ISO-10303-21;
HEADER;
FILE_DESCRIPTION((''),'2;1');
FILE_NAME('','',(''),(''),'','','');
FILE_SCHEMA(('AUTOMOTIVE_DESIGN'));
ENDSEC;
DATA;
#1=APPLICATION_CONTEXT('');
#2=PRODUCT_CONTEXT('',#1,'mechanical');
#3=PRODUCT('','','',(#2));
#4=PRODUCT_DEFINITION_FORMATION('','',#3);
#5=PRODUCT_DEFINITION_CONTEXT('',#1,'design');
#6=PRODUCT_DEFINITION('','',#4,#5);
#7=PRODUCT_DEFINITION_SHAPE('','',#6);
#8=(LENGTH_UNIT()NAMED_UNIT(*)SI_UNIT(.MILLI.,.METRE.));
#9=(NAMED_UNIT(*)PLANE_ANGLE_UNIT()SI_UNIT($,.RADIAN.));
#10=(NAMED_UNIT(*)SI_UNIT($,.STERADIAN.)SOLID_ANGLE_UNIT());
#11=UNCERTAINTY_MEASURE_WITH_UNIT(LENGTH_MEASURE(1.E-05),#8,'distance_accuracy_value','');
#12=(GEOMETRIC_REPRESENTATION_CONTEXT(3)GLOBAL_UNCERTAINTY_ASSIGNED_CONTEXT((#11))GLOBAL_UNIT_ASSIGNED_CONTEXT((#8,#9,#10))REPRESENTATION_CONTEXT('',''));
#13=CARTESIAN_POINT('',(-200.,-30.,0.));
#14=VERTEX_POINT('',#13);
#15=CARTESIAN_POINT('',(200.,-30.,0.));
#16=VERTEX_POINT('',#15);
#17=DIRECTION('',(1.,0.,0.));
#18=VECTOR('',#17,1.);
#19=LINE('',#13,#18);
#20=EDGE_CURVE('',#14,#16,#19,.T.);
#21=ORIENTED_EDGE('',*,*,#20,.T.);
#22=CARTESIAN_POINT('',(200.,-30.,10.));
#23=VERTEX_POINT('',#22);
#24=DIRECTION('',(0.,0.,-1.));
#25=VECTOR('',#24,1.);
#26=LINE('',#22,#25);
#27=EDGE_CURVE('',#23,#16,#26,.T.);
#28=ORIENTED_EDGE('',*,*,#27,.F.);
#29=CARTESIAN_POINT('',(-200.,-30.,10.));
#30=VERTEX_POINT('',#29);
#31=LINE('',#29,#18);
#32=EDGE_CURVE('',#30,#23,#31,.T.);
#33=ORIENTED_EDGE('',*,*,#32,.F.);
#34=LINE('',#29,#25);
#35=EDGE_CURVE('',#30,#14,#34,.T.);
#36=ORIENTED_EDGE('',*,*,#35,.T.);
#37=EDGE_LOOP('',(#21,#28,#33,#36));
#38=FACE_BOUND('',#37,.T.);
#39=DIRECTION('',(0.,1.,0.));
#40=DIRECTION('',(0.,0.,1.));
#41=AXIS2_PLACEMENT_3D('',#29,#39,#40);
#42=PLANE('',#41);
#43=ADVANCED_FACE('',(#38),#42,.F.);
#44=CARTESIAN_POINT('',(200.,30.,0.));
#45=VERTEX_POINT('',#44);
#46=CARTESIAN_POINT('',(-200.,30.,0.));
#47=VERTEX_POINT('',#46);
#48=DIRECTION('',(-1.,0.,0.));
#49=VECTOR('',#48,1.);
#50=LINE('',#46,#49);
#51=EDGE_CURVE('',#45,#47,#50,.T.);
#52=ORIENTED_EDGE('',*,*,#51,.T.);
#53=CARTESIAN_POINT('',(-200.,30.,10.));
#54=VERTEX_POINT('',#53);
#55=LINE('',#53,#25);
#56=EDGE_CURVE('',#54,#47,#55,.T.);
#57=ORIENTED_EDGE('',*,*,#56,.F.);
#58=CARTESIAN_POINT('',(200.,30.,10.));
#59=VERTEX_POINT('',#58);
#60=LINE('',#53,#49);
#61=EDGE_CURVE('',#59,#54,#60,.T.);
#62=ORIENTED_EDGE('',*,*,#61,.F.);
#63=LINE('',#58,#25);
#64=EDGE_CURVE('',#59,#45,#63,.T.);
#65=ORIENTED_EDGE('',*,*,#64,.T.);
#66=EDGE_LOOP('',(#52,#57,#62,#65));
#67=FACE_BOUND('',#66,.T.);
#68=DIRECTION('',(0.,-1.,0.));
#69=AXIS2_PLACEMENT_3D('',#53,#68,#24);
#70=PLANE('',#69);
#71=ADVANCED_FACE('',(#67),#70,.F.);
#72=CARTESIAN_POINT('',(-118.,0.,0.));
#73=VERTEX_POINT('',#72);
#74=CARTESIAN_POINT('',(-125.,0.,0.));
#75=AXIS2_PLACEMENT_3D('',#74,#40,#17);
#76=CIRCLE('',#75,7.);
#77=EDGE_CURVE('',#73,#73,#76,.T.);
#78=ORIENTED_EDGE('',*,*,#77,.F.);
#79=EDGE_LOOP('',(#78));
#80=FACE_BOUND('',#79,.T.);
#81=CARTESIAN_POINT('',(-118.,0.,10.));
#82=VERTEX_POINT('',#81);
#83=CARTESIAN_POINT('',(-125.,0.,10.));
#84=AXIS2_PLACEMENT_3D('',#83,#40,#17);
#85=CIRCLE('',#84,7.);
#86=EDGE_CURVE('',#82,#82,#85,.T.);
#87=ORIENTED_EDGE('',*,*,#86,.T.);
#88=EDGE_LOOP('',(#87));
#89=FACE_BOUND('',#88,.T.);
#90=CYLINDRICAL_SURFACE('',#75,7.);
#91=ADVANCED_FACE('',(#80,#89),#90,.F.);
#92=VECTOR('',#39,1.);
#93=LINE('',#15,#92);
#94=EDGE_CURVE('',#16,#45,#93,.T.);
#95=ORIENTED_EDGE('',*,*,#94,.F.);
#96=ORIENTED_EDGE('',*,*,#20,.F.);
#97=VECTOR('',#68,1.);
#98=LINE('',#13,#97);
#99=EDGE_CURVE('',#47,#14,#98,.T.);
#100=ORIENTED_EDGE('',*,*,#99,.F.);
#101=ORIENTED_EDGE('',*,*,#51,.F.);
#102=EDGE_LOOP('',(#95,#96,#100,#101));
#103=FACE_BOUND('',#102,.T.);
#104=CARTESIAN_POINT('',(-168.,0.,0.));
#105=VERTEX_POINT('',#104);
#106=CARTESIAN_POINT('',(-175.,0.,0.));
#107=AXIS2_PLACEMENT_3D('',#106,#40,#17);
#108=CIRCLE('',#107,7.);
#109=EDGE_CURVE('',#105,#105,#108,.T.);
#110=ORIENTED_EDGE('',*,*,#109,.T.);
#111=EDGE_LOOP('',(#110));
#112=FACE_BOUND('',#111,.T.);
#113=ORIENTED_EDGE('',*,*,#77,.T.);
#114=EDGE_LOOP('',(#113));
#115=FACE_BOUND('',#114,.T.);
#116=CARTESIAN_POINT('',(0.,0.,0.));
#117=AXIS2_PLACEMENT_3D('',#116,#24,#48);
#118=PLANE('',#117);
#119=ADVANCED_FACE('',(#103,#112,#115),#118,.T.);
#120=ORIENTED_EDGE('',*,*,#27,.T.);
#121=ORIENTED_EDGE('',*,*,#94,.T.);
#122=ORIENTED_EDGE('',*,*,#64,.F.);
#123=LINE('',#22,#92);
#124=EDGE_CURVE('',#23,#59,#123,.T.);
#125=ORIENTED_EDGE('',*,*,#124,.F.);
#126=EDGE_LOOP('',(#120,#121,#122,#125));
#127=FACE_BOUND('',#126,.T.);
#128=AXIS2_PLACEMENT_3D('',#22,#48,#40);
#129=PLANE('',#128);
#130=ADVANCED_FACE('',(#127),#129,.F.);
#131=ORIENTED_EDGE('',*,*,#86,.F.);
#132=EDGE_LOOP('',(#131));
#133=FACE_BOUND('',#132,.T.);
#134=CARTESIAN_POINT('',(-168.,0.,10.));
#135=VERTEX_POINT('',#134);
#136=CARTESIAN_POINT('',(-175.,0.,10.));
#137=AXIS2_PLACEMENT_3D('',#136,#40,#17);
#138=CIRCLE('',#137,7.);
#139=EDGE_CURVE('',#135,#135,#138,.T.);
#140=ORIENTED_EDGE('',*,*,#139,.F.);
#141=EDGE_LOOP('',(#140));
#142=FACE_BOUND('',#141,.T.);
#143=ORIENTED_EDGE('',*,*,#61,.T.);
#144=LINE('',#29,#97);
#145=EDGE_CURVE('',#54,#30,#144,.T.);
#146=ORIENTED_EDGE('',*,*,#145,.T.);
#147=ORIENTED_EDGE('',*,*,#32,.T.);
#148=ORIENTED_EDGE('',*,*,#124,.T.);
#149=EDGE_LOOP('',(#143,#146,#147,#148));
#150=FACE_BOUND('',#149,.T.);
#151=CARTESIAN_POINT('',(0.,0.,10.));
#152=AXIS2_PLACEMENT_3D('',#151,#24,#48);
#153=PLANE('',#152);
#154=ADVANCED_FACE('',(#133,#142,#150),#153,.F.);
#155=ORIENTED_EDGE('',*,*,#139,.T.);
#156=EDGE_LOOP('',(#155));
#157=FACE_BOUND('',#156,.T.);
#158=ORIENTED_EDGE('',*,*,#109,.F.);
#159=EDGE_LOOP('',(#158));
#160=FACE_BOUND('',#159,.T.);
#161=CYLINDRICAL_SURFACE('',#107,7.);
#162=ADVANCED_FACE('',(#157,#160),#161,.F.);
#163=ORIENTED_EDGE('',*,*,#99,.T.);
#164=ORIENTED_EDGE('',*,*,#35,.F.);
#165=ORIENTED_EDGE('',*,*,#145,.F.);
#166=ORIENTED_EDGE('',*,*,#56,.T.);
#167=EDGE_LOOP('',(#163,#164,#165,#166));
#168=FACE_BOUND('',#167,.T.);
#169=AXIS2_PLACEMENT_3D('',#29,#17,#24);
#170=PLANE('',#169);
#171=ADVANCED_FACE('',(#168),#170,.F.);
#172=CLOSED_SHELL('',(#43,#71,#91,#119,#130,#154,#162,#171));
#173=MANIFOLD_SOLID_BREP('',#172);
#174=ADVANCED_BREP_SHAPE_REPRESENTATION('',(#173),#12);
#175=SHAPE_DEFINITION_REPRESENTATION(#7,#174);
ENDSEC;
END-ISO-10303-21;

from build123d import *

# Parameters (mm, degrees)
SKETCH1_W           = 400
SKETCH1_H           = 60
BOSS_EXTRUDE1_DEPTH = 10
SKETCH2_R           = 7
CUT_EXTRUDE1_DEPTH  = 10


with BuildPart() as part:
    # Sketch1 → Boss-Extrude1 (new body)
    with BuildSketch(Plane.XY):
        Rectangle(SKETCH1_W, SKETCH1_H)
    extrude(amount=BOSS_EXTRUDE1_DEPTH)

    # Sketch2 → Cut-Extrude1 (cut)
    with BuildSketch(Plane.XY.offset(10)):
        with Locations((-175, 0)):
            Circle(SKETCH2_R)
        with Locations((-125, 0)):
            Circle(SKETCH2_R)
    extrude(amount=-CUT_EXTRUDE1_DEPTH, mode=Mode.SUBTRACT)


solid = part.part
